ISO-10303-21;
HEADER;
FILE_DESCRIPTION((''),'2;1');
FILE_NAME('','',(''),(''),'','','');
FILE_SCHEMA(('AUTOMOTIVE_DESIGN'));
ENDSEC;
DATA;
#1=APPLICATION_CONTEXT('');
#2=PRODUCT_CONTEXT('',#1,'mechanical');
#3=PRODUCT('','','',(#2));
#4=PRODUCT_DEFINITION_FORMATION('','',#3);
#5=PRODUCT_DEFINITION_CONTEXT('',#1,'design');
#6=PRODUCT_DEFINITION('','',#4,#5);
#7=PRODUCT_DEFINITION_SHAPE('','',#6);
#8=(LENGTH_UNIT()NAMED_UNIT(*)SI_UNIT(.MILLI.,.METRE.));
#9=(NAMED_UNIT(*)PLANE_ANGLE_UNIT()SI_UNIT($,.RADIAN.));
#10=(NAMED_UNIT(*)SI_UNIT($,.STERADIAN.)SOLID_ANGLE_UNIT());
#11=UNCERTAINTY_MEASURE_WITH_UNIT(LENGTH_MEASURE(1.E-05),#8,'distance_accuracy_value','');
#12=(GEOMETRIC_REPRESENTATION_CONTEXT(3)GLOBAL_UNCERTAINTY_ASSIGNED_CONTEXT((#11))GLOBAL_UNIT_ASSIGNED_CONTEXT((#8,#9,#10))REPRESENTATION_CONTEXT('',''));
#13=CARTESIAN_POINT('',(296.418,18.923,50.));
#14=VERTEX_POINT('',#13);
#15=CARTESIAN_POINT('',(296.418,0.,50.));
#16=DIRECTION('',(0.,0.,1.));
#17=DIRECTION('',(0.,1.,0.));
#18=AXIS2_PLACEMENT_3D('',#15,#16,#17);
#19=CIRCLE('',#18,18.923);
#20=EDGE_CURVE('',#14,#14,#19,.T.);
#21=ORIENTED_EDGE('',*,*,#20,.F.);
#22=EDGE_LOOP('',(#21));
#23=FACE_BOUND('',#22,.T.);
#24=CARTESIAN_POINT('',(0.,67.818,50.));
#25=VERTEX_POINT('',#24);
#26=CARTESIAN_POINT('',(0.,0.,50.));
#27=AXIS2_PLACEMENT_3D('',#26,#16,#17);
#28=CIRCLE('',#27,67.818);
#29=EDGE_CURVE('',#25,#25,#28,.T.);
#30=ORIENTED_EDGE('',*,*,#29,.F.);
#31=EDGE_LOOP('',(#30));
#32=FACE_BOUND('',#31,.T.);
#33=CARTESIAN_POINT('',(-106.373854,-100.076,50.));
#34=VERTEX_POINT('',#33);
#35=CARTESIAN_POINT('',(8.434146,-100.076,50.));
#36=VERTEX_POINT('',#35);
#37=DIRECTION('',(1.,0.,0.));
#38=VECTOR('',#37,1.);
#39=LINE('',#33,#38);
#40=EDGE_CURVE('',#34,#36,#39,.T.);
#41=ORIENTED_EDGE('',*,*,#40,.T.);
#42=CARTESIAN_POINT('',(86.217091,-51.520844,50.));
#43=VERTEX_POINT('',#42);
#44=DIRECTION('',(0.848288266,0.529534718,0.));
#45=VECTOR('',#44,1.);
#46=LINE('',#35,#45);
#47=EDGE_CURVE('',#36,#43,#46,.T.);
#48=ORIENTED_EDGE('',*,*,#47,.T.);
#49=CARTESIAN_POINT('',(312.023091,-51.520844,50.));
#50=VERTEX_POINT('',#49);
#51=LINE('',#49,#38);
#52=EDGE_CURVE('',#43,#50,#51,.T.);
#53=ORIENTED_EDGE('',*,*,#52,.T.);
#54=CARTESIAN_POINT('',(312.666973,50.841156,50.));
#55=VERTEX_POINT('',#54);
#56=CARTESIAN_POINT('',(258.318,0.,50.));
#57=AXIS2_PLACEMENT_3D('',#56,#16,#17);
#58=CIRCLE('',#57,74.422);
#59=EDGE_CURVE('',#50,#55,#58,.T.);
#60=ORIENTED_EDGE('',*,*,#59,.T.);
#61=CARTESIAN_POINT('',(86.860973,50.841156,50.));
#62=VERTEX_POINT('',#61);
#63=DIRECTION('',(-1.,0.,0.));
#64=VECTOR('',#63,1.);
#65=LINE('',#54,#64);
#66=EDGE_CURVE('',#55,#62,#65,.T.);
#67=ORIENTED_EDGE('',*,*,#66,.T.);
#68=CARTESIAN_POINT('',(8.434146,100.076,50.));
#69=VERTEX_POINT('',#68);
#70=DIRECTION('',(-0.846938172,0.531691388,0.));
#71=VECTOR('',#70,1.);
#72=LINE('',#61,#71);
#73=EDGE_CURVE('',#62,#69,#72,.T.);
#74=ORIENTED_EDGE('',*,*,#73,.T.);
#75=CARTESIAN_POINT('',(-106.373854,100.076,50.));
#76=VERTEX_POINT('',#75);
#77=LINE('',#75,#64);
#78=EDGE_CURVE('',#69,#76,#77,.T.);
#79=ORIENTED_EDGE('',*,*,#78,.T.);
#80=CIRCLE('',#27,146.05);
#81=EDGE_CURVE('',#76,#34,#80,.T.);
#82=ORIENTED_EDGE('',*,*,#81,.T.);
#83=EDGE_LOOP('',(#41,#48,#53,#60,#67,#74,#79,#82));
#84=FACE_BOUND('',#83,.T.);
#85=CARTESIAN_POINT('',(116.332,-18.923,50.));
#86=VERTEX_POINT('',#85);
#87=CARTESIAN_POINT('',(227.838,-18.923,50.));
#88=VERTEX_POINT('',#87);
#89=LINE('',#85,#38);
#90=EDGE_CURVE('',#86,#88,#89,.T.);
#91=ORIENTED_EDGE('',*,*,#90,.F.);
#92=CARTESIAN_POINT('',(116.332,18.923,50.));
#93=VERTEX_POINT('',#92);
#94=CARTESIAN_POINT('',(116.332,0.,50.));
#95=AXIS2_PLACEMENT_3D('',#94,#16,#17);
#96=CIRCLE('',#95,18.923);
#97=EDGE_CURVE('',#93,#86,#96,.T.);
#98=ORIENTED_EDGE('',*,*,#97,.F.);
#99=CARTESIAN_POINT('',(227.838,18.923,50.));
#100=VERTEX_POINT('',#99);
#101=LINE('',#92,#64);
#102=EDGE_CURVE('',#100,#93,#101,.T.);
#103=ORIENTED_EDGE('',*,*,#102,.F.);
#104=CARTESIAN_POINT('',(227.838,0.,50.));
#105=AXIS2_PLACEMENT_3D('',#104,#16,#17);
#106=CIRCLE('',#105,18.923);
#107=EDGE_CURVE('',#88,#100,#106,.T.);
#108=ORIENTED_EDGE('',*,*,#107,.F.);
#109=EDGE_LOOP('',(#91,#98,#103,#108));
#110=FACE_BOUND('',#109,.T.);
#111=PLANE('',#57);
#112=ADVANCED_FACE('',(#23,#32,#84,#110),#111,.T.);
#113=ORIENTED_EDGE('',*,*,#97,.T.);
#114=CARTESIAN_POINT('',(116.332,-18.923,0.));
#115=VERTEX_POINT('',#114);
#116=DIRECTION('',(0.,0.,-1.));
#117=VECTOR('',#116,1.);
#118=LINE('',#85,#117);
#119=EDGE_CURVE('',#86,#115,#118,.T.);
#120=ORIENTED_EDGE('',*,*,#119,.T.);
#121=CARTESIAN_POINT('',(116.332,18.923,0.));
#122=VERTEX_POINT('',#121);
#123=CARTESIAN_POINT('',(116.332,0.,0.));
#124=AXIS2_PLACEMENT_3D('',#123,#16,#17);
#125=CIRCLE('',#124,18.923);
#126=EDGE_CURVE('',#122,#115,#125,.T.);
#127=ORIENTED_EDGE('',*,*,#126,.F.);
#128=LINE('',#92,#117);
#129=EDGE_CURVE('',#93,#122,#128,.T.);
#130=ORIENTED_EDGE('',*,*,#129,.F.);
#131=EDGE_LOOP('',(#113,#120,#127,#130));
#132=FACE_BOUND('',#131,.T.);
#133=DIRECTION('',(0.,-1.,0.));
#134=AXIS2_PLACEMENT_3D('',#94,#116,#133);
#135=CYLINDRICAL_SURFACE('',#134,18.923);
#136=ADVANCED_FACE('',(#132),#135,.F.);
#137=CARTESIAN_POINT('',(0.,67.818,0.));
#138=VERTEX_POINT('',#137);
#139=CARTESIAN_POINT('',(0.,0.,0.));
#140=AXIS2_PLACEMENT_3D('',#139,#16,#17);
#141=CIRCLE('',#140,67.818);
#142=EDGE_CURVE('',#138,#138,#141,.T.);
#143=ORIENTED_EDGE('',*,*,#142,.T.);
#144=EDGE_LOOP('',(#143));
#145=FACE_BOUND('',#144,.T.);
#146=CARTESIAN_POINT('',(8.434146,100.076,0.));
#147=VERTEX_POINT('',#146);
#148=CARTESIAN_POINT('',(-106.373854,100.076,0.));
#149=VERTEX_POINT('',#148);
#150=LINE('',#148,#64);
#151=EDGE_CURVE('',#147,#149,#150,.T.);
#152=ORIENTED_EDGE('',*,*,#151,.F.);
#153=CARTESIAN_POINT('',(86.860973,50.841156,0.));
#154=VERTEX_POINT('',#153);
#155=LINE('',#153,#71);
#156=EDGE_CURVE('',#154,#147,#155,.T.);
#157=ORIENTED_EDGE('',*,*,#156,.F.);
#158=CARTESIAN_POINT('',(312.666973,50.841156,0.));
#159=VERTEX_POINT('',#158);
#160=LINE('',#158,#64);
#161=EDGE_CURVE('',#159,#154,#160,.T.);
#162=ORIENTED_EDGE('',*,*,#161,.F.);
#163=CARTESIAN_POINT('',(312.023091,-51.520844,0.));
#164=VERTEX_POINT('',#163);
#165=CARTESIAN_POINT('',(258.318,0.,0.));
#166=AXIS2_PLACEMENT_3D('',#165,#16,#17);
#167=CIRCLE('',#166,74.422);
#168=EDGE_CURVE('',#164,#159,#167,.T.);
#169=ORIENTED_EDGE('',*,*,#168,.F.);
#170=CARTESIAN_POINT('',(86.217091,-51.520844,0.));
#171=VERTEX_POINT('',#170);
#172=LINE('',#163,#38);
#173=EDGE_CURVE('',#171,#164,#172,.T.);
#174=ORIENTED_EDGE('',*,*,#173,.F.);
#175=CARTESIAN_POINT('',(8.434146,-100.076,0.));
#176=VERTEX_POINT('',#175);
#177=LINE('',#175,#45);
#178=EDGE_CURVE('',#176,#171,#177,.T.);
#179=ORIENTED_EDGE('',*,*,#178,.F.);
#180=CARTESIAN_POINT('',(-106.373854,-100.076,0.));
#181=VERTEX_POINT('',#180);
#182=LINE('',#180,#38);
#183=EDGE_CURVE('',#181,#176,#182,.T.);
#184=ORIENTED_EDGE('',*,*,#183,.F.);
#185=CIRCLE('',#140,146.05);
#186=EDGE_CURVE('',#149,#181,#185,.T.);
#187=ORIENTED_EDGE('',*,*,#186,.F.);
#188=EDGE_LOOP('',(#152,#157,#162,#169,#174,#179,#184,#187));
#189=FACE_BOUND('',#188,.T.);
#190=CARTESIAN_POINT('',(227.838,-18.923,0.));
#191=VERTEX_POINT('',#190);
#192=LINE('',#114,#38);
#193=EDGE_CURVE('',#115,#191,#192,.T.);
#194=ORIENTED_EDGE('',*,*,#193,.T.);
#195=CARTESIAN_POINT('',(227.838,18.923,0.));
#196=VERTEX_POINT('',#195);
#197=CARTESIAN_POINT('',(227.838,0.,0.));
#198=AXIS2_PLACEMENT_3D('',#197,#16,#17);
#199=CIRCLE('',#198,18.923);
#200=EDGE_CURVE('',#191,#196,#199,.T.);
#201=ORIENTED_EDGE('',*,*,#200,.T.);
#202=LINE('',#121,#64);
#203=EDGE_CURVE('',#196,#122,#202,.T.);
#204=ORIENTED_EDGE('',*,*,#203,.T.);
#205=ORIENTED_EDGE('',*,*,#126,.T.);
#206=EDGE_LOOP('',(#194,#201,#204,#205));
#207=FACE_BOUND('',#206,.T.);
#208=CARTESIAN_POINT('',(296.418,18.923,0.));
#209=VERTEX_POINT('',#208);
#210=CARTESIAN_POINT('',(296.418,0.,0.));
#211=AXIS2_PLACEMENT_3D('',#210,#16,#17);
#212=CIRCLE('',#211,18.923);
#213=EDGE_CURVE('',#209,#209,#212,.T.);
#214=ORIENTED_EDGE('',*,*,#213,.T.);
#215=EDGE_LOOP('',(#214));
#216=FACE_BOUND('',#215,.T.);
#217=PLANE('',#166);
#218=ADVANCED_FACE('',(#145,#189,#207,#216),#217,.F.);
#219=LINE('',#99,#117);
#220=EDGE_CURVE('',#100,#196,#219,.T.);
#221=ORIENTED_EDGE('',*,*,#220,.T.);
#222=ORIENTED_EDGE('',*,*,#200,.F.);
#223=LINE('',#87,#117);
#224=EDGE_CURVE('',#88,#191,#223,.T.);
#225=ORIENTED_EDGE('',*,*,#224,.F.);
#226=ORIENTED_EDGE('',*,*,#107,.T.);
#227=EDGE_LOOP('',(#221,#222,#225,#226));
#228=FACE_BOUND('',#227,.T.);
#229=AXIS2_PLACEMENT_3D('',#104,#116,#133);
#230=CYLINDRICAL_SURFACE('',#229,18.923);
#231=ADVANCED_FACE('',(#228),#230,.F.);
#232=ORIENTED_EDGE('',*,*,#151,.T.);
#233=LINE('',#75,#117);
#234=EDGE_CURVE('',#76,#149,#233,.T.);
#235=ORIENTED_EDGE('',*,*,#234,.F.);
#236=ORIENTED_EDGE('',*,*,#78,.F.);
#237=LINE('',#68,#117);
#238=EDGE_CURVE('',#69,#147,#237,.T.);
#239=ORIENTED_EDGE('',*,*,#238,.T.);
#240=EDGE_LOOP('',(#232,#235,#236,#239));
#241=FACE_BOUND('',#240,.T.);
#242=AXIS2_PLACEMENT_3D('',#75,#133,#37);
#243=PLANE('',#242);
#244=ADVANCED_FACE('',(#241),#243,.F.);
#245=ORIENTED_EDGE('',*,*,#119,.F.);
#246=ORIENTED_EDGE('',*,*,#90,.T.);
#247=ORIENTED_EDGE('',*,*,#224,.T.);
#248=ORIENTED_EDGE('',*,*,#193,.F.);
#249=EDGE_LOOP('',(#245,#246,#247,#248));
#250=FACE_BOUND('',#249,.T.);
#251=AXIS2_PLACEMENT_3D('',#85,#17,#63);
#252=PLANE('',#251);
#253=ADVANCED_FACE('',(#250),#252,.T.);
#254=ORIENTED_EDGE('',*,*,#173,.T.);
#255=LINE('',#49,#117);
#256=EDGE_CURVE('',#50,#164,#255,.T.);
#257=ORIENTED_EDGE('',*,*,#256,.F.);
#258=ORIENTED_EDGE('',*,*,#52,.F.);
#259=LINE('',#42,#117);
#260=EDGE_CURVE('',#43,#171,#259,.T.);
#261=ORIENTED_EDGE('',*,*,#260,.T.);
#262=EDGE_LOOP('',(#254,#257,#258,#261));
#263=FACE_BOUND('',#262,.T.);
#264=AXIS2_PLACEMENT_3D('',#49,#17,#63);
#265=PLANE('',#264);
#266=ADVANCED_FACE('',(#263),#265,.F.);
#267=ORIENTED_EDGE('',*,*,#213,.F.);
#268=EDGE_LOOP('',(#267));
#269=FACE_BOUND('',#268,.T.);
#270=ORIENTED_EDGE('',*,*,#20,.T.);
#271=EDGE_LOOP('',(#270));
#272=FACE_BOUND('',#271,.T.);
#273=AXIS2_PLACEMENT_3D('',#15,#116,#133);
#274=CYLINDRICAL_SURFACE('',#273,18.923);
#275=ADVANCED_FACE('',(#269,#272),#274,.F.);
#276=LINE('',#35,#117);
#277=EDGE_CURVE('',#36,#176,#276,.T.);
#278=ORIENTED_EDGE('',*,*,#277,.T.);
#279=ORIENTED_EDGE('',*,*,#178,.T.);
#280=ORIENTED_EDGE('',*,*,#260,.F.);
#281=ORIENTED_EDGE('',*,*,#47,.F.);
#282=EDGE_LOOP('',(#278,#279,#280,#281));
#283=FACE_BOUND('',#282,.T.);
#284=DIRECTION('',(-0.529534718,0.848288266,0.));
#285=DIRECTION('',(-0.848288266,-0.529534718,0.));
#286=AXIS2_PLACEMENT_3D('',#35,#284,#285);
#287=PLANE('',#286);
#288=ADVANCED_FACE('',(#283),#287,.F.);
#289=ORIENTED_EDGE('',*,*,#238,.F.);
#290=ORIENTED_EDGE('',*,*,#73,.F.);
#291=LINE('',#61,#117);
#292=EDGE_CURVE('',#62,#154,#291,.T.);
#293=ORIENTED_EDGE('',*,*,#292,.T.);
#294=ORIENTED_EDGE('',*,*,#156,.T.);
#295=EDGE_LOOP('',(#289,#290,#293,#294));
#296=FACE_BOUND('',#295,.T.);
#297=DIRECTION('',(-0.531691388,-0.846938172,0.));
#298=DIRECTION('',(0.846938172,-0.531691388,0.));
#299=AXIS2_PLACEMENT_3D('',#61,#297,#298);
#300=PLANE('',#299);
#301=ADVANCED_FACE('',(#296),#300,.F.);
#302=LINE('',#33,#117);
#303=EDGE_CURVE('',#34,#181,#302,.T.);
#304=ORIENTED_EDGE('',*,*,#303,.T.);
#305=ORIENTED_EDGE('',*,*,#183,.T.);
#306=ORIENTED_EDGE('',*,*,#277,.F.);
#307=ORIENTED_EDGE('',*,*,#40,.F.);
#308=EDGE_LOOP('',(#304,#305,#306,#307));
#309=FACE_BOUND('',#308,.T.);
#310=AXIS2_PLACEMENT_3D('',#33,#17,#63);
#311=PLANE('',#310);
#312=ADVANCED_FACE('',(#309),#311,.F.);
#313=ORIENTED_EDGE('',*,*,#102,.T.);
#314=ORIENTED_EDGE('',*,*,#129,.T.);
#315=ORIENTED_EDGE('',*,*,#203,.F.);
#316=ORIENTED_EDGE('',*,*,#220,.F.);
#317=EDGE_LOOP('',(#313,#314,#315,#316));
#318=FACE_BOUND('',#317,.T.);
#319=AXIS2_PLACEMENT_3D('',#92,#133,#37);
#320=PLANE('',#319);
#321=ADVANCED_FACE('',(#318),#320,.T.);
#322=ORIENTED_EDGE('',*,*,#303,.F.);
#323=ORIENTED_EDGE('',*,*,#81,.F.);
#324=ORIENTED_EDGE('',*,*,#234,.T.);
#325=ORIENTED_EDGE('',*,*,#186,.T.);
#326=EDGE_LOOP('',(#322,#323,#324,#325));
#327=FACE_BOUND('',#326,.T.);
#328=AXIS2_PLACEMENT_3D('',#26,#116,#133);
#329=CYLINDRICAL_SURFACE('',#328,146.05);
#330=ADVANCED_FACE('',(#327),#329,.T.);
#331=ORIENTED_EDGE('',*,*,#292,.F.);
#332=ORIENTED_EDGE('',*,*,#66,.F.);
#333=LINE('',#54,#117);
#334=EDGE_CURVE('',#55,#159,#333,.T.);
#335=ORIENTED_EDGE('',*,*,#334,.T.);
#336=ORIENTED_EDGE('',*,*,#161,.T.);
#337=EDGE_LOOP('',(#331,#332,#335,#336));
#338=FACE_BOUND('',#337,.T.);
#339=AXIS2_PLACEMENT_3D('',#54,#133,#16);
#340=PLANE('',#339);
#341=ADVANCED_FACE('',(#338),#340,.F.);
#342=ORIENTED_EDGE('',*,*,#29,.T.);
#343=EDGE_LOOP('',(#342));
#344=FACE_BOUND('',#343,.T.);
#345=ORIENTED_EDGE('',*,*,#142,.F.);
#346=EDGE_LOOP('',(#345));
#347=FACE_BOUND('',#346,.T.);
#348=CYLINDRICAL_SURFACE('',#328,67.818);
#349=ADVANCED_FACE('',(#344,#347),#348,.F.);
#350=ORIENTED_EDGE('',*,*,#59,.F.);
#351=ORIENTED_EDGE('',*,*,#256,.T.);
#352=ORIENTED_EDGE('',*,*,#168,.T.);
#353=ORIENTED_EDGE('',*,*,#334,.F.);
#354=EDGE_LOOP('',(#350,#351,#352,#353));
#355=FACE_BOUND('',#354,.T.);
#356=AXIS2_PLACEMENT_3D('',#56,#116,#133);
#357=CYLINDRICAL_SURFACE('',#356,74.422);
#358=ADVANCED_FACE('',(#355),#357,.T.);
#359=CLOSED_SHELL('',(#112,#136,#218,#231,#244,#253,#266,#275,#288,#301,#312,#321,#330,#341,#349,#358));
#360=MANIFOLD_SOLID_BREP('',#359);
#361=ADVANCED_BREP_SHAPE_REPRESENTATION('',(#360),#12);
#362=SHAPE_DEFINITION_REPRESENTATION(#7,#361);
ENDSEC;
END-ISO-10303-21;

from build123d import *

# Parameters (mm, degrees)
CROQUIS1_R                   = 67.818
CROQUIS1_R_2                 = 18.923
SALIENTE_EXTRUIR1_DEPTH      = 50
CORPS_D_PLACER_COPIER1_ANGLE = 90


with BuildPart() as part:
    # Croquis1 → Saliente-Extruir1 (new body)
    with BuildSketch(Plane.XY):
        with BuildLine():
            Line((50.841156462, -86.860973253), (100.076, -8.434146427))
            Line((100.076, -8.434146427), (100.076, 106.373853573))
            ThreePointArc((100.076, 106.373853573), (0, 146.05), (-100.076, 106.373853573))
            Line((-100.076, 106.373853573), (-100.076, -8.434146427))
            Line((-100.076, -8.434146427), (-51.520843538, -86.217090682))
            Line((-51.520843538, -86.217090682), (-51.520843538, -312.023090682))
            ThreePointArc((-51.520843538, -312.023090682), (-0.468123725, -332.738527707), (50.841156462, -312.666973253))
            Line((50.841156462, -312.666973253), (50.841156462, -86.860973253))
        make_face()
        Circle(CROQUIS1_R, mode=Mode.SUBTRACT)
        with Locations((0, -296.418)):
            Circle(CROQUIS1_R_2, mode=Mode.SUBTRACT)
        with BuildLine():
            Line((18.923, -116.332), (18.923, -227.838))
            ThreePointArc((18.923, -227.838), (0, -246.761), (-18.923, -227.838))
            Line((-18.923, -227.838), (-18.923, -116.332))
            ThreePointArc((-18.923, -116.332), (0, -97.409), (18.923, -116.332))
        make_face(mode=Mode.SUBTRACT)
    extrude(amount=SALIENTE_EXTRUIR1_DEPTH)


with BuildPart() as part_1:
    # Corps-Déplacer/Copier1: moved
    add(part.part.rotate(Axis((0, 0, 0), (0, 0, 1)), CORPS_D_PLACER_COPIER1_ANGLE))


solid = part_1.part
